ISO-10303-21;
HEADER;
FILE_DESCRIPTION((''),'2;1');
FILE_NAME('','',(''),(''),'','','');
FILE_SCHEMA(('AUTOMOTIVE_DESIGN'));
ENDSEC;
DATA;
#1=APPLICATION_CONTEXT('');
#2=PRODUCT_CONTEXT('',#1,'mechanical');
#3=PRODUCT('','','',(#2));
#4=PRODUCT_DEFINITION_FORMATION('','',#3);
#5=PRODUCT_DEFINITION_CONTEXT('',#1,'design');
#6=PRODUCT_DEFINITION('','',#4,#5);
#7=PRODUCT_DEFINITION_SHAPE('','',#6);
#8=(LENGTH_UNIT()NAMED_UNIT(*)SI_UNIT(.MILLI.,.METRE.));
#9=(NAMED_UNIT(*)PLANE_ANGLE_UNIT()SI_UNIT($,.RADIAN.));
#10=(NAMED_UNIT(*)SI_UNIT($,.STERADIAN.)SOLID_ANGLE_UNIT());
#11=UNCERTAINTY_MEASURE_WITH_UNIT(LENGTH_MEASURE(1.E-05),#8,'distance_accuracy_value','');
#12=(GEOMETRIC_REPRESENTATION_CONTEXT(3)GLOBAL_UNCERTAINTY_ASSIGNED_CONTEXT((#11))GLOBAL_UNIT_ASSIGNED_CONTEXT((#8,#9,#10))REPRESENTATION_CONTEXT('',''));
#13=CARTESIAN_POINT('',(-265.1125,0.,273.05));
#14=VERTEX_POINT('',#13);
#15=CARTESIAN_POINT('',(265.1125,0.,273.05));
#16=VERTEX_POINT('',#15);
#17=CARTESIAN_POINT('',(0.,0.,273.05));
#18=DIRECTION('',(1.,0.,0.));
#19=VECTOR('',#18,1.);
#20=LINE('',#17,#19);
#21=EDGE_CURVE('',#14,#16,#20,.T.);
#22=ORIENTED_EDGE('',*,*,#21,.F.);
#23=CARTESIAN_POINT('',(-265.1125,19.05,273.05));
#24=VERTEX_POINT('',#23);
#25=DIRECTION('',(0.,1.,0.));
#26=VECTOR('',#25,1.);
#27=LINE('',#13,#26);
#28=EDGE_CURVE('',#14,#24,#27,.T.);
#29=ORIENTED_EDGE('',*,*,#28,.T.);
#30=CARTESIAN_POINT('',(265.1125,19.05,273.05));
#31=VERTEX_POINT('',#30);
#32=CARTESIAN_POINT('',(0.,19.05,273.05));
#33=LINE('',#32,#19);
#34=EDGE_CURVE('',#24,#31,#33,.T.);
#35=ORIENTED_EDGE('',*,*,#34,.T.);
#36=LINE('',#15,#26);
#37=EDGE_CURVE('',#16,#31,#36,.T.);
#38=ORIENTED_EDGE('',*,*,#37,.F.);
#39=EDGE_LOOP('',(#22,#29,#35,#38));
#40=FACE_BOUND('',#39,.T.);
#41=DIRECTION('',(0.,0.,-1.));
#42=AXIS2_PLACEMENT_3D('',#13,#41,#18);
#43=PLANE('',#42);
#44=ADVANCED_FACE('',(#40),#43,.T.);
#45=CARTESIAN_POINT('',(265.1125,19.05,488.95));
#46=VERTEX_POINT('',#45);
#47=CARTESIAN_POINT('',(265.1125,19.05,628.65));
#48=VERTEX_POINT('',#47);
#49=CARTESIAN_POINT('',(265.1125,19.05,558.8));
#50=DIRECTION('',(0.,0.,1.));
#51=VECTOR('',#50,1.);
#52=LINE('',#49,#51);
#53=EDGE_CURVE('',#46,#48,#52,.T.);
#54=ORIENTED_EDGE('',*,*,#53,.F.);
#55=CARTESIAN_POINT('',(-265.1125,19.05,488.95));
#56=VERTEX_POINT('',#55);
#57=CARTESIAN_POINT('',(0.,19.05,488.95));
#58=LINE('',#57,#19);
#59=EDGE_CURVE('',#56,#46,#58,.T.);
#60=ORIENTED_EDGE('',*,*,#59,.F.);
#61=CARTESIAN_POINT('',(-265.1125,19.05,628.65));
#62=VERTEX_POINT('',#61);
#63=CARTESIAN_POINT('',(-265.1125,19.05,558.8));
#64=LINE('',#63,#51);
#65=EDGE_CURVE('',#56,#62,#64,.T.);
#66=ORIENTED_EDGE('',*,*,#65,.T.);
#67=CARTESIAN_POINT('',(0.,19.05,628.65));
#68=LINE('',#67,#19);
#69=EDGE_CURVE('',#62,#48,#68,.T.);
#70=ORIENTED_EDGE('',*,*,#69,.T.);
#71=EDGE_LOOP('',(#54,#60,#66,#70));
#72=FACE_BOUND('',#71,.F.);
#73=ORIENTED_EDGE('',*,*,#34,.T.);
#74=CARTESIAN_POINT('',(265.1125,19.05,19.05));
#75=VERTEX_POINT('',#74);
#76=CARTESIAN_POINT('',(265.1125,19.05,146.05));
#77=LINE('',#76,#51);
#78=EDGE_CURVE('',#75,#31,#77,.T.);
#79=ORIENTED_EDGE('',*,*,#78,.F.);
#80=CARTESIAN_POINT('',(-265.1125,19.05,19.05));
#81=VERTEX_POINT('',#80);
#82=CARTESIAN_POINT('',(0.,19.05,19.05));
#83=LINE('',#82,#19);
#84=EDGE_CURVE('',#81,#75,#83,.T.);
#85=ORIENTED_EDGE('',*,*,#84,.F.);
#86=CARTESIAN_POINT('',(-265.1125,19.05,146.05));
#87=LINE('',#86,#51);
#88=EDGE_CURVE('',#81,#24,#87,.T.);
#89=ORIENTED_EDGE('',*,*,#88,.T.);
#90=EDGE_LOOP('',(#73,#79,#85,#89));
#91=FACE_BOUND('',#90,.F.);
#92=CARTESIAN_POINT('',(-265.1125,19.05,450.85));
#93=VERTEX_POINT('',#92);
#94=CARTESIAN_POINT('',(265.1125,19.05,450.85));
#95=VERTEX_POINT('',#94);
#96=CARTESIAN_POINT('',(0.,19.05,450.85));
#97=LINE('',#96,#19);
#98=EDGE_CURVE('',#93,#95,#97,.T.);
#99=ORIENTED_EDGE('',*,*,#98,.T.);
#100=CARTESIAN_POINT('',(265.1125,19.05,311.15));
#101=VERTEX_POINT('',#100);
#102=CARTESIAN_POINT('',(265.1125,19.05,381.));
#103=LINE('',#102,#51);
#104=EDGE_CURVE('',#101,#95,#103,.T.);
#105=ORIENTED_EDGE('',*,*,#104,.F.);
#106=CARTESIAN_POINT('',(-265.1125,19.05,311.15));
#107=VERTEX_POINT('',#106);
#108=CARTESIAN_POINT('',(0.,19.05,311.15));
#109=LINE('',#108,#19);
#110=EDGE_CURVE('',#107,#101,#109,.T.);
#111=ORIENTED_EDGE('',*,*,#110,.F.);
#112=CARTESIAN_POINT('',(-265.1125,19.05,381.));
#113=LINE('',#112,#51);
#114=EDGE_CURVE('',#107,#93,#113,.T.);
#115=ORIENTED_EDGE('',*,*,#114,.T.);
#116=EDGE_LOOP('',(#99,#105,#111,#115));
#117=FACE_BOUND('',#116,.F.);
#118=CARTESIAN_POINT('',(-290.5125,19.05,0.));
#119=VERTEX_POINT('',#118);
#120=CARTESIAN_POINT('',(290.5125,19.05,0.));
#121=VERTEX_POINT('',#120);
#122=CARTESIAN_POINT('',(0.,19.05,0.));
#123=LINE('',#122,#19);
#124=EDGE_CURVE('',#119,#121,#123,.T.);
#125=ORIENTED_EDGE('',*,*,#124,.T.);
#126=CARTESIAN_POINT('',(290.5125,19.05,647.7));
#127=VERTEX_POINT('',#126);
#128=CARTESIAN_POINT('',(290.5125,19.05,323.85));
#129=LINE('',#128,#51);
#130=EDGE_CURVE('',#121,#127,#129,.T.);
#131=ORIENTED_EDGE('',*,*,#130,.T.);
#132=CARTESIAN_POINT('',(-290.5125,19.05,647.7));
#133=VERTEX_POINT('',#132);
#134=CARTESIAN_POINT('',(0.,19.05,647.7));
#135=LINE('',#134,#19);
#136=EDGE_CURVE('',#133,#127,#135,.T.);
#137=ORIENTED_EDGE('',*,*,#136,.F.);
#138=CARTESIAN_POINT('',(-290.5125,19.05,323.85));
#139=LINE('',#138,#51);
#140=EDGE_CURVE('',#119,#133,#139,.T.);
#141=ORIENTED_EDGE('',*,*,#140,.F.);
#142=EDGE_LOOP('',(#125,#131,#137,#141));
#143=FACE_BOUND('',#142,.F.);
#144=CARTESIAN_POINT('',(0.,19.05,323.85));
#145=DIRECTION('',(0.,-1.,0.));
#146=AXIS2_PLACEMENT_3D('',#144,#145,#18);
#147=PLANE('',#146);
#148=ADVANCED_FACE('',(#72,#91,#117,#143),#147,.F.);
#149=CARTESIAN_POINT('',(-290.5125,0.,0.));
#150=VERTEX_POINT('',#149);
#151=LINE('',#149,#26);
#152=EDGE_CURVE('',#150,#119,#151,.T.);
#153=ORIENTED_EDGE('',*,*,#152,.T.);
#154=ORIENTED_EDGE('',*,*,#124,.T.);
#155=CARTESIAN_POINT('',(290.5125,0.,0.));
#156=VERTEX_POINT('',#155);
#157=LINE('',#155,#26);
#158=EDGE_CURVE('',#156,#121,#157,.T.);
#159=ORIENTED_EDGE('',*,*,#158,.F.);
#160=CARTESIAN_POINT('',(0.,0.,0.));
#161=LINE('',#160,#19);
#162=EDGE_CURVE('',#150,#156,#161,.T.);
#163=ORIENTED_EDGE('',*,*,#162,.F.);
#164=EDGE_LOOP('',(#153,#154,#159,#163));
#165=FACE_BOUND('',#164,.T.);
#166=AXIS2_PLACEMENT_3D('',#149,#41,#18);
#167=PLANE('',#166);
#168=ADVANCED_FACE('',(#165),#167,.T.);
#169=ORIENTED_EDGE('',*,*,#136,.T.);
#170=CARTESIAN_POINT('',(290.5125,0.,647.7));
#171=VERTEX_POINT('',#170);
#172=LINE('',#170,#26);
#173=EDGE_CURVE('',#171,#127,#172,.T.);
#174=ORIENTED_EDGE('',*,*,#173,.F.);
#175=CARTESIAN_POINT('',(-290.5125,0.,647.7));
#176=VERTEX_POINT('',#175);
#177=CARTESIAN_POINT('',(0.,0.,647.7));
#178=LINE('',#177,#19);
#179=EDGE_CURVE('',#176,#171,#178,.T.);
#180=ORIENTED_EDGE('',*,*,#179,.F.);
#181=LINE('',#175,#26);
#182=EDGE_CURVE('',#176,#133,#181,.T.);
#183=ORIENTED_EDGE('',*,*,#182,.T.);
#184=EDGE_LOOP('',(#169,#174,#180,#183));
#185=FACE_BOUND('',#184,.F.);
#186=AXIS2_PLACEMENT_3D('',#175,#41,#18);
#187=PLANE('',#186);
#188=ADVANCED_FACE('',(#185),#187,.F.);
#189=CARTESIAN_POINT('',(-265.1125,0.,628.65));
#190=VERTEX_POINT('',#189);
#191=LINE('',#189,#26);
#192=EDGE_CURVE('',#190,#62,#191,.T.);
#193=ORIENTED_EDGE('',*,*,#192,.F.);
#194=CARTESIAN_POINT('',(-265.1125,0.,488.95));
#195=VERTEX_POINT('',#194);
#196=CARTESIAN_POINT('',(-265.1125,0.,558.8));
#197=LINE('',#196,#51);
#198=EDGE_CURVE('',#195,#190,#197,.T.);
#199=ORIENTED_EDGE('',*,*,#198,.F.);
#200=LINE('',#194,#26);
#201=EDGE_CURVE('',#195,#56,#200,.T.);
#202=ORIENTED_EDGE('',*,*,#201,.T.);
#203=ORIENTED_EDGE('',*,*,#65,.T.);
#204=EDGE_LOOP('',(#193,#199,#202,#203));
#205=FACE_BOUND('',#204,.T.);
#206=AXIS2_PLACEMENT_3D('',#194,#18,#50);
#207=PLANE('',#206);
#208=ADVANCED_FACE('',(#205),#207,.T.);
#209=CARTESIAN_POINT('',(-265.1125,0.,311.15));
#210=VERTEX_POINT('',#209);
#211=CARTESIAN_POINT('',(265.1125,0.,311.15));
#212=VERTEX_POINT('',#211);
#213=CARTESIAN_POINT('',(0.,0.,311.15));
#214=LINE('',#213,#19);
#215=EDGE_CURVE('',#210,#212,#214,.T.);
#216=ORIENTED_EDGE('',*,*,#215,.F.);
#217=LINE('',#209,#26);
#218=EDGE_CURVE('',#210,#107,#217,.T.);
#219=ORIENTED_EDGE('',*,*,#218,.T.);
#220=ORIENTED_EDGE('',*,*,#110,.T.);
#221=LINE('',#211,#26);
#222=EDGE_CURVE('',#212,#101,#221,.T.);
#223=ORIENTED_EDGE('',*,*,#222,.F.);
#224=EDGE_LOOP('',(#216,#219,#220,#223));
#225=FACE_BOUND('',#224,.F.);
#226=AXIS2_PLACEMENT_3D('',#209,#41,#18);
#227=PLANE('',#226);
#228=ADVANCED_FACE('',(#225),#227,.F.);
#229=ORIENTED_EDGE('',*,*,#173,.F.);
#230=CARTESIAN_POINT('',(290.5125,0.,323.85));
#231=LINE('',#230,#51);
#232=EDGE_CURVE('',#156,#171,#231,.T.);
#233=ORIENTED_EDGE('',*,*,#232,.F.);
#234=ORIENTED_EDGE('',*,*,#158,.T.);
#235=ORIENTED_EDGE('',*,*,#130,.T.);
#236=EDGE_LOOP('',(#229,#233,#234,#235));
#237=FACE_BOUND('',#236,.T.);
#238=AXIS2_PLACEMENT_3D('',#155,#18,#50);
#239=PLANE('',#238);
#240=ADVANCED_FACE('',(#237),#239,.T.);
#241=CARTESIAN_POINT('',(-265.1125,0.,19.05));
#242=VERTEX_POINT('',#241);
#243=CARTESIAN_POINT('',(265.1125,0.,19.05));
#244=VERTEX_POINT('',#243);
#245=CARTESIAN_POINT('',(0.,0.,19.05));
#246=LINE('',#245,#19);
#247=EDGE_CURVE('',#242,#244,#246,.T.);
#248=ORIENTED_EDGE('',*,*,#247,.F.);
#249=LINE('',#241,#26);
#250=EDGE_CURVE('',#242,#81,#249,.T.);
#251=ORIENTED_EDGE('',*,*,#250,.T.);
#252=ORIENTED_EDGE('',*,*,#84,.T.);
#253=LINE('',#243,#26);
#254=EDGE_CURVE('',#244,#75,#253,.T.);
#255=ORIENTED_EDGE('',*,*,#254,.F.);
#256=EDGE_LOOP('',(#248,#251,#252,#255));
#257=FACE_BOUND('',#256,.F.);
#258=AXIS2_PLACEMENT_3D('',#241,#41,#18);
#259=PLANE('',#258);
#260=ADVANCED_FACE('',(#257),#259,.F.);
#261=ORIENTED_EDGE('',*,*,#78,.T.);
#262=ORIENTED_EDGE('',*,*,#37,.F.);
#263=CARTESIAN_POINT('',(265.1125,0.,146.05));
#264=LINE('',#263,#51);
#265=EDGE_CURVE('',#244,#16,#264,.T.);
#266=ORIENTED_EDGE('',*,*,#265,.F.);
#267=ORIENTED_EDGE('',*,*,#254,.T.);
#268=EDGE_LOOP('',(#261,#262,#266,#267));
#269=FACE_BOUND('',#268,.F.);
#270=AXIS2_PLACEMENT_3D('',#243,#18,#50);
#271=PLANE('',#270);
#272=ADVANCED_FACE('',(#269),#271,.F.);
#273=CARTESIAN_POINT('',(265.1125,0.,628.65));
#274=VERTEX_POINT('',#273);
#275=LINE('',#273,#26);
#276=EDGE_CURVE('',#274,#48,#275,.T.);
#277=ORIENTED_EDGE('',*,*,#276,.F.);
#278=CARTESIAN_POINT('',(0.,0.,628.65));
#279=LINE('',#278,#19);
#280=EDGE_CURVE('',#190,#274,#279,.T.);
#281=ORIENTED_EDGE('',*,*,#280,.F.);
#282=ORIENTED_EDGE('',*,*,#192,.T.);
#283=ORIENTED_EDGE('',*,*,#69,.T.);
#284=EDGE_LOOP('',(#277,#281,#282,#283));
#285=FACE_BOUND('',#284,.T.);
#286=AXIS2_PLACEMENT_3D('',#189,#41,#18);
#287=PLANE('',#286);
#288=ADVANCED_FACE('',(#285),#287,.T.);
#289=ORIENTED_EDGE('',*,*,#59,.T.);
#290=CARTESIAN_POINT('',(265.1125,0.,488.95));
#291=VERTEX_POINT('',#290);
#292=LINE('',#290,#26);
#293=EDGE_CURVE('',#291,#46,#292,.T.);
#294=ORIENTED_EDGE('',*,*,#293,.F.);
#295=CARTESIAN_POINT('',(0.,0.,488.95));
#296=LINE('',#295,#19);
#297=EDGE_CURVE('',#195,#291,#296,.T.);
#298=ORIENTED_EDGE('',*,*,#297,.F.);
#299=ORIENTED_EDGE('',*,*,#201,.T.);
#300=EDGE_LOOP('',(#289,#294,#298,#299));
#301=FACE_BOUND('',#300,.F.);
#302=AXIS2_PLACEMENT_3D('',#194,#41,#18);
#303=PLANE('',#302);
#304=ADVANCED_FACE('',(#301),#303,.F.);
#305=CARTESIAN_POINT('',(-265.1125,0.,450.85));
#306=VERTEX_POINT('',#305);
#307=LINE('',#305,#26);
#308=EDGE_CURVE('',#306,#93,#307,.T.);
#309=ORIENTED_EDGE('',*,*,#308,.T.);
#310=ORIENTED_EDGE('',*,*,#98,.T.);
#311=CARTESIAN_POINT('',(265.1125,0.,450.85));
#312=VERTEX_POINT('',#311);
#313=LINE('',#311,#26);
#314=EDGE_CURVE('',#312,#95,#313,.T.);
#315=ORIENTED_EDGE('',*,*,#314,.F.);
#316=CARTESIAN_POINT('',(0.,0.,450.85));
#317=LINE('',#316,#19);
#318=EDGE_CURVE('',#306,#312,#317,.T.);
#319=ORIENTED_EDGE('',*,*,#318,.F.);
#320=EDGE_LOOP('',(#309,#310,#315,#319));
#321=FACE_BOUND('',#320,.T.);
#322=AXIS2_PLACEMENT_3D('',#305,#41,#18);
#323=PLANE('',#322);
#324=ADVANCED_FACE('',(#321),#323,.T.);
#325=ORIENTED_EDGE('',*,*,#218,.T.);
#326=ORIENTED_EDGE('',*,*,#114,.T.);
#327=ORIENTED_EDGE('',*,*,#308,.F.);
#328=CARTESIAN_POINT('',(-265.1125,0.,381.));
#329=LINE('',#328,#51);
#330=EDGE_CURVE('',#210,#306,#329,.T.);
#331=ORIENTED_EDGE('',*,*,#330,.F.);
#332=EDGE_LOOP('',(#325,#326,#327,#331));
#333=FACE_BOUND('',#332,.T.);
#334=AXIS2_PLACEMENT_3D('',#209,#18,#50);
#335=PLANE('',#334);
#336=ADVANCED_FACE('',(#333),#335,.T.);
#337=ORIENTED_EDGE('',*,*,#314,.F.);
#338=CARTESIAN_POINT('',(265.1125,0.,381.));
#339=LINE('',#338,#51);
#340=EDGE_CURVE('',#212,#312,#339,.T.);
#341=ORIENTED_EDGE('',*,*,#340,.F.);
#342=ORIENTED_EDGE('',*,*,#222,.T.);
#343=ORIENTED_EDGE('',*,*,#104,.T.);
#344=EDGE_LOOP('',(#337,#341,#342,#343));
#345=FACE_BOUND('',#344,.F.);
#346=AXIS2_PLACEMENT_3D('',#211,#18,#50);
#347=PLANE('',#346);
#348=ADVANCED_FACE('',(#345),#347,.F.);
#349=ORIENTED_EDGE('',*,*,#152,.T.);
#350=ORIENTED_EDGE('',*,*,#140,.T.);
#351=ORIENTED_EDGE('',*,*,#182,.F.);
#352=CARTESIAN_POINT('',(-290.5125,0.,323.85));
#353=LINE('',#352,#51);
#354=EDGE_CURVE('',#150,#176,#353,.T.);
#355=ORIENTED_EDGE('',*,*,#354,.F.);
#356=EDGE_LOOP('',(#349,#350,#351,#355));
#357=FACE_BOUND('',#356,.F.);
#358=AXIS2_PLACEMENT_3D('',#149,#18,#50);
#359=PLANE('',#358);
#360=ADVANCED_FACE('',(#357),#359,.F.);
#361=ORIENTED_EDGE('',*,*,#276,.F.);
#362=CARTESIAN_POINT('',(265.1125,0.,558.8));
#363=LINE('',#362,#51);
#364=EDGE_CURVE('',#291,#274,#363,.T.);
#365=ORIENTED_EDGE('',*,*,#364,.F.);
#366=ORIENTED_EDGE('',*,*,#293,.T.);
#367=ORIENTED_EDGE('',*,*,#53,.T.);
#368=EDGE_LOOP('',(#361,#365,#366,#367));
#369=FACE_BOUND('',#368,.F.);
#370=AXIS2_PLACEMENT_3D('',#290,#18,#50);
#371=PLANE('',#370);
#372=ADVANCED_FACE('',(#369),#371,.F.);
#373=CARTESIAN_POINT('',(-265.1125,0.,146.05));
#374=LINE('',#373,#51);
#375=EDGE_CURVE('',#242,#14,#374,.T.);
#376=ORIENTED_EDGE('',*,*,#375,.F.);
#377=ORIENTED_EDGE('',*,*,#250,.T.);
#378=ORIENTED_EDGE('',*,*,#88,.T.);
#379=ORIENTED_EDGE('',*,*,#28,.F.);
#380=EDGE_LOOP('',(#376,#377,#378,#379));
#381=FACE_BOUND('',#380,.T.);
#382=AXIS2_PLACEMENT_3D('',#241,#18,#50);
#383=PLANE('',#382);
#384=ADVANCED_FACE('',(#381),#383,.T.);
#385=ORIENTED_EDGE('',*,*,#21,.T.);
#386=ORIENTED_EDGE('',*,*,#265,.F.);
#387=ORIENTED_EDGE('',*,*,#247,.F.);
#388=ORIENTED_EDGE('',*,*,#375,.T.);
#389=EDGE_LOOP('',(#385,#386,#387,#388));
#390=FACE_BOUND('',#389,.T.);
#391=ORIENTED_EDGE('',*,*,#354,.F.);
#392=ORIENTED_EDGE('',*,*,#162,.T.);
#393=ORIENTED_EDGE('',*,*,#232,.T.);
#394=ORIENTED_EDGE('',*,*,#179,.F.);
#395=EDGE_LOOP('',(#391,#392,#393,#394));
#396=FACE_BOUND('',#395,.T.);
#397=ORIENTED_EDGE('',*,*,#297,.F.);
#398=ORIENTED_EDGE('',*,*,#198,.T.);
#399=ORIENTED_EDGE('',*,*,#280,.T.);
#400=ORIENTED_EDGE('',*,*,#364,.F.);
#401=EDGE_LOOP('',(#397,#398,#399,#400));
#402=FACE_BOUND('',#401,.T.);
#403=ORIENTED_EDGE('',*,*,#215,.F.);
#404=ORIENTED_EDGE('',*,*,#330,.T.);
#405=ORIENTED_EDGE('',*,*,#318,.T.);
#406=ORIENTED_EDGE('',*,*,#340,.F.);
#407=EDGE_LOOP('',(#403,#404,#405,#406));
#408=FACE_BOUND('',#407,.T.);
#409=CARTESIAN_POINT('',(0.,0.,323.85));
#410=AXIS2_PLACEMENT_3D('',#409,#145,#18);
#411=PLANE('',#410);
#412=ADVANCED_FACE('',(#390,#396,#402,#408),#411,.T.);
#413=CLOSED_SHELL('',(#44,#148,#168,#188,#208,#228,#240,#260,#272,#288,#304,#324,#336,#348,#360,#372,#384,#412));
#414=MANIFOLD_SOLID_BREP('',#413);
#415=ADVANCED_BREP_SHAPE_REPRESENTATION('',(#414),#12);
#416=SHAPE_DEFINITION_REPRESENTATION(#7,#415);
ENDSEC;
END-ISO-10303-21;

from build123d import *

# Parameters (mm, degrees)
F0_W     = 581.025
F0_H     = 647.7
F0_W_2   = 530.225
F0_H_2   = 254
F0_H_3   = 139.7
F1_DEPTH = 19.05


with BuildPart() as f1:
    # F0 (on Front) → F1 (new body)
    with BuildSketch(Plane.XZ):
        with Locations((0, 323.85)):
            Rectangle(F0_W, F0_H)
        with Locations((0, 146.05)):
            Rectangle(F0_W_2, F0_H_2, mode=Mode.SUBTRACT)
        with Locations((0, 381)):
            Rectangle(F0_W_2, F0_H_3, mode=Mode.SUBTRACT)
        with Locations((0, 558.8)):
            Rectangle(F0_W_2, F0_H_3, mode=Mode.SUBTRACT)
    extrude(amount=-F1_DEPTH)


solid = f1.part
